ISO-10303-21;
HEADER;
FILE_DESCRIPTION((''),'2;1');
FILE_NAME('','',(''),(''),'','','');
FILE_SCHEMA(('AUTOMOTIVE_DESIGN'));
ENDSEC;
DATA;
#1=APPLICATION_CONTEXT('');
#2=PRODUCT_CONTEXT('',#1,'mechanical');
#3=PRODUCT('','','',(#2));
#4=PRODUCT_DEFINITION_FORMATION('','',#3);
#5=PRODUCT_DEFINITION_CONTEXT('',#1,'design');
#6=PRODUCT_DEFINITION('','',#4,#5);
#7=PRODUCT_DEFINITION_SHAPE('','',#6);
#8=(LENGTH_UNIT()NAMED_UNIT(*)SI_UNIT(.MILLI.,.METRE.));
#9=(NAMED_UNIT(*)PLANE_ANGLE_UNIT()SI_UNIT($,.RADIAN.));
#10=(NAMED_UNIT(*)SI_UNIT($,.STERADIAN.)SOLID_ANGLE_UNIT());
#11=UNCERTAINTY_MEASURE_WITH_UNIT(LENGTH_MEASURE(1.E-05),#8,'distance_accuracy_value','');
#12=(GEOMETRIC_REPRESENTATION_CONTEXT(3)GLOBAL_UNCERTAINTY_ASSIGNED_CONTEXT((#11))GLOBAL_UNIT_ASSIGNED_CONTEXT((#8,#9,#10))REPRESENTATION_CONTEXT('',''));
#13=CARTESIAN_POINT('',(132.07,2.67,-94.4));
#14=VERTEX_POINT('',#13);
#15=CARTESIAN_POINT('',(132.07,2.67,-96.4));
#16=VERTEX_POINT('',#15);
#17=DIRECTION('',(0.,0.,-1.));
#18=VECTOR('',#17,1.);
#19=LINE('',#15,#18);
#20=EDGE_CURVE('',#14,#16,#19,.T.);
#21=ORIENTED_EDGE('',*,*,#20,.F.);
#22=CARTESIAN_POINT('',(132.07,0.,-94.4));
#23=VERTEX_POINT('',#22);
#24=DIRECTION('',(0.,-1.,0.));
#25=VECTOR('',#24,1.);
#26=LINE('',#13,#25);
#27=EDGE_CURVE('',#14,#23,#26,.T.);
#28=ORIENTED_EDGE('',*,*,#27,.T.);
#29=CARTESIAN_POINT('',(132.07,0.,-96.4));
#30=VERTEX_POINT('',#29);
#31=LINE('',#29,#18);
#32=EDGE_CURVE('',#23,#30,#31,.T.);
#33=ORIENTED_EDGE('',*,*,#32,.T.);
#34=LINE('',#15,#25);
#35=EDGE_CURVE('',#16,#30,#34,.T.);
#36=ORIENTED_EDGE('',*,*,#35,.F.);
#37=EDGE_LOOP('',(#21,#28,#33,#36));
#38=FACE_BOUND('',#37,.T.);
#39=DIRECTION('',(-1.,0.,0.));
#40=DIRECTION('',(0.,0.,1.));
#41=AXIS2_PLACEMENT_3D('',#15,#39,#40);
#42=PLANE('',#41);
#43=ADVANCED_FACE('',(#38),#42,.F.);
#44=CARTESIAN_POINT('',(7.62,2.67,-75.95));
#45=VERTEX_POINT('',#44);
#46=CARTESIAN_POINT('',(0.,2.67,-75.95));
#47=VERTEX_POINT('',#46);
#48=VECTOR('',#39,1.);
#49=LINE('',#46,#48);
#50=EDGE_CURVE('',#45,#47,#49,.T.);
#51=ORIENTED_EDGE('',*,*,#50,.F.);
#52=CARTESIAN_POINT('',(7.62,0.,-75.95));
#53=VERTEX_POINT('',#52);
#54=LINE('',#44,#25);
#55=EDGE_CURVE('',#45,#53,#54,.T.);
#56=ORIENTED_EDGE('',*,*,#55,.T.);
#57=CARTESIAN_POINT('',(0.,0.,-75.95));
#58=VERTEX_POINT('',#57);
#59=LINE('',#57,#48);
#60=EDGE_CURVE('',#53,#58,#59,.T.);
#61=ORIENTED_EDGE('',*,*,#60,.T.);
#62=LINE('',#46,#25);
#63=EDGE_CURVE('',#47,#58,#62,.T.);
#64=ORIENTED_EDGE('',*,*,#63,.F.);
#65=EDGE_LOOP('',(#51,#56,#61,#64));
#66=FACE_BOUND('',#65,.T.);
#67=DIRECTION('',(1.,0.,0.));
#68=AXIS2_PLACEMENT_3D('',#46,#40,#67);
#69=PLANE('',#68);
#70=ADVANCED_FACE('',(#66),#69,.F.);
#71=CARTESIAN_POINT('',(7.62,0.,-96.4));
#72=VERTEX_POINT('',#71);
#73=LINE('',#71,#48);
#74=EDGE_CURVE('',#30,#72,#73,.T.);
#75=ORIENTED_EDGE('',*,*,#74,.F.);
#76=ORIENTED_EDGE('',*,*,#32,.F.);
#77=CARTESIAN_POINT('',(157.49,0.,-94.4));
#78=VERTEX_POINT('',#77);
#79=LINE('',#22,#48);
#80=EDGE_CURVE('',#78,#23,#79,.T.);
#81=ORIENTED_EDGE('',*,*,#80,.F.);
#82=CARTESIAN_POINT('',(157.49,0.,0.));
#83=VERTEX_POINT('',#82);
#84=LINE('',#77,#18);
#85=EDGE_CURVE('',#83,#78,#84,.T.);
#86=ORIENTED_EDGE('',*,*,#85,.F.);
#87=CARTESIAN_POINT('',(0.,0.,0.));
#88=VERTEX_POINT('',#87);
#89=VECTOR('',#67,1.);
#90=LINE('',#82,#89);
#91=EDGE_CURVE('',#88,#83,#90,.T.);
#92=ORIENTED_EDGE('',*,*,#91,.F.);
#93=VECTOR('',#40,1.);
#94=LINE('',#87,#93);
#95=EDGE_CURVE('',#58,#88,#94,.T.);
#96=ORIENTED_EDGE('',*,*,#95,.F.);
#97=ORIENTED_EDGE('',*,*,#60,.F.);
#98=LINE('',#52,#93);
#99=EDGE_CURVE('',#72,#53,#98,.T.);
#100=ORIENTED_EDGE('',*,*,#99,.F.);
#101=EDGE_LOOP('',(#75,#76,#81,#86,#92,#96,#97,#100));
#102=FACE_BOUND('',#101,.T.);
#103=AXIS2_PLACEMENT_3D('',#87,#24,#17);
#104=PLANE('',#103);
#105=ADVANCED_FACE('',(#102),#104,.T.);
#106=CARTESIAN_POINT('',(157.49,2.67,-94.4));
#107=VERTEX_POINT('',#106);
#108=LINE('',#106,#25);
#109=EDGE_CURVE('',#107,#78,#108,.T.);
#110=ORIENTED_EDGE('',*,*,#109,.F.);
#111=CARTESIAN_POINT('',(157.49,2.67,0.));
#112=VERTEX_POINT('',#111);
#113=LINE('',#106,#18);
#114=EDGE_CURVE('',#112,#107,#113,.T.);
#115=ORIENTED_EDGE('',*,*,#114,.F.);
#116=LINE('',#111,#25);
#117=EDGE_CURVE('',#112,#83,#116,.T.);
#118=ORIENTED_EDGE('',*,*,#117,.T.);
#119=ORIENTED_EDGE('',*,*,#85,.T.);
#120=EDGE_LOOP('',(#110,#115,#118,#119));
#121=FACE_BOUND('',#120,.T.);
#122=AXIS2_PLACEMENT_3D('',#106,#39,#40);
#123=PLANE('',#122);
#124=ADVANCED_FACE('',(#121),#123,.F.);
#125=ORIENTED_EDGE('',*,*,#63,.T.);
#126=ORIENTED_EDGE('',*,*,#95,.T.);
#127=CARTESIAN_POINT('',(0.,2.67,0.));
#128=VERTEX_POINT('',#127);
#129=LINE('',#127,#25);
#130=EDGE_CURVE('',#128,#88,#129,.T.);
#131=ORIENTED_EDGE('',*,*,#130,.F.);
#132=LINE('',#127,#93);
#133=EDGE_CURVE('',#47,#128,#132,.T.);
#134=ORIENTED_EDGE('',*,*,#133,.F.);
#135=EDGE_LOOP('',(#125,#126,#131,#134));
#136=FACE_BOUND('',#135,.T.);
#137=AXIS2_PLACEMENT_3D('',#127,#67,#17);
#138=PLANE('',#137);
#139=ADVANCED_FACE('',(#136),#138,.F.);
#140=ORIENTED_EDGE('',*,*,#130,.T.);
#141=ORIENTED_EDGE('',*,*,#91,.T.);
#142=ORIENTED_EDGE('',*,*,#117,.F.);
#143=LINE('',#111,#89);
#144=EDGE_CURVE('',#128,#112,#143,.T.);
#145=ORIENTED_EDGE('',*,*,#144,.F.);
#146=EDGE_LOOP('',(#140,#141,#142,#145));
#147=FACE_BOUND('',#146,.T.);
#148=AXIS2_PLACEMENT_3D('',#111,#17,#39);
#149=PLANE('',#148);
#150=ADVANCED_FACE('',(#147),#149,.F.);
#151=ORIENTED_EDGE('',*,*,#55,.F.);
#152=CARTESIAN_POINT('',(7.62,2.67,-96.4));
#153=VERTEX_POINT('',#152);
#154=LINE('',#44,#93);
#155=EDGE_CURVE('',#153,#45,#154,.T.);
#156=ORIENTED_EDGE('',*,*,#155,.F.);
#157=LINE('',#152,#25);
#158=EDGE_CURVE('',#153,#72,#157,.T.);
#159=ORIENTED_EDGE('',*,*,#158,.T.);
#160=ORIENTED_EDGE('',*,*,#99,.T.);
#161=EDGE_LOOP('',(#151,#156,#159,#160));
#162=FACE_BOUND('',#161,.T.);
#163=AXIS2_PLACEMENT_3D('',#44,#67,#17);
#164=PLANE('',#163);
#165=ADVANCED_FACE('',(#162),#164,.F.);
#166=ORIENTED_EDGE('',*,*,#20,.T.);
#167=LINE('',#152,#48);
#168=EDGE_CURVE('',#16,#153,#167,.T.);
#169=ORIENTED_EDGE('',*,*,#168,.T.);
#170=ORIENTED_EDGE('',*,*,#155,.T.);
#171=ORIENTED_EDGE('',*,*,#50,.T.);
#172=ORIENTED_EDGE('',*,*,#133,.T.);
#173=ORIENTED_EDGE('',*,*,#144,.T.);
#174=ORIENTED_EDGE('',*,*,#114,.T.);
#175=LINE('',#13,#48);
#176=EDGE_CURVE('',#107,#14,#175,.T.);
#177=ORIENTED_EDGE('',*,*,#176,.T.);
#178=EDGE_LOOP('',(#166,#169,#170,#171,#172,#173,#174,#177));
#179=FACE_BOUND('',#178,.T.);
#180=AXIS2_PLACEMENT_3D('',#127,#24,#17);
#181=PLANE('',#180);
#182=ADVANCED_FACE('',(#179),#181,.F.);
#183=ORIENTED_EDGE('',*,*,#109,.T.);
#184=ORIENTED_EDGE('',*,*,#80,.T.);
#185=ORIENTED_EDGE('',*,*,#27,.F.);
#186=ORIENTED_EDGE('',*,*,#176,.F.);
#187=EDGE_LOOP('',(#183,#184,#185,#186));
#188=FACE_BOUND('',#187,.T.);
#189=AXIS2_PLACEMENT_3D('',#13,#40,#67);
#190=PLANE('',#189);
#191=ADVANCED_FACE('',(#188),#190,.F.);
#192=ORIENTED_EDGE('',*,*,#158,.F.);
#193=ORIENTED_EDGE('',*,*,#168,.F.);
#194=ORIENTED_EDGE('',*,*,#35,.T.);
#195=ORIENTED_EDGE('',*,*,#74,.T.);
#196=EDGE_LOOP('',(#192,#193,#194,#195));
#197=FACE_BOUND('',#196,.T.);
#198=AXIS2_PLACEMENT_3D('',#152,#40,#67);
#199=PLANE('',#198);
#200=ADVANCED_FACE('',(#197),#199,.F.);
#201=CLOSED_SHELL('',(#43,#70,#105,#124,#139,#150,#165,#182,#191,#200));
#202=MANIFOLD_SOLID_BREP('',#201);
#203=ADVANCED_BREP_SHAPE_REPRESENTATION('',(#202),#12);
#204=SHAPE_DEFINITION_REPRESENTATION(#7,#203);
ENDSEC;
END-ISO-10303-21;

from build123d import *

# Parameters (mm, degrees)
BOSS_EXTRUDE1_DEPTH = 2.67


with BuildPart() as part:
    # Sketch1 → Boss-Extrude1 (new body)
    with BuildSketch(Plane(origin=(0, 0, 0), x_dir=(1, 0, 0), z_dir=(0, 1, 0))):
        Polygon((0, 0), (0, 75.95), (7.62, 75.95), (7.62, 96.4), (132.07, 96.4), (132.07, 94.4), (157.49, 94.4), (157.49, 0), align=None)
    extrude(amount=BOSS_EXTRUDE1_DEPTH)


solid = part.part
